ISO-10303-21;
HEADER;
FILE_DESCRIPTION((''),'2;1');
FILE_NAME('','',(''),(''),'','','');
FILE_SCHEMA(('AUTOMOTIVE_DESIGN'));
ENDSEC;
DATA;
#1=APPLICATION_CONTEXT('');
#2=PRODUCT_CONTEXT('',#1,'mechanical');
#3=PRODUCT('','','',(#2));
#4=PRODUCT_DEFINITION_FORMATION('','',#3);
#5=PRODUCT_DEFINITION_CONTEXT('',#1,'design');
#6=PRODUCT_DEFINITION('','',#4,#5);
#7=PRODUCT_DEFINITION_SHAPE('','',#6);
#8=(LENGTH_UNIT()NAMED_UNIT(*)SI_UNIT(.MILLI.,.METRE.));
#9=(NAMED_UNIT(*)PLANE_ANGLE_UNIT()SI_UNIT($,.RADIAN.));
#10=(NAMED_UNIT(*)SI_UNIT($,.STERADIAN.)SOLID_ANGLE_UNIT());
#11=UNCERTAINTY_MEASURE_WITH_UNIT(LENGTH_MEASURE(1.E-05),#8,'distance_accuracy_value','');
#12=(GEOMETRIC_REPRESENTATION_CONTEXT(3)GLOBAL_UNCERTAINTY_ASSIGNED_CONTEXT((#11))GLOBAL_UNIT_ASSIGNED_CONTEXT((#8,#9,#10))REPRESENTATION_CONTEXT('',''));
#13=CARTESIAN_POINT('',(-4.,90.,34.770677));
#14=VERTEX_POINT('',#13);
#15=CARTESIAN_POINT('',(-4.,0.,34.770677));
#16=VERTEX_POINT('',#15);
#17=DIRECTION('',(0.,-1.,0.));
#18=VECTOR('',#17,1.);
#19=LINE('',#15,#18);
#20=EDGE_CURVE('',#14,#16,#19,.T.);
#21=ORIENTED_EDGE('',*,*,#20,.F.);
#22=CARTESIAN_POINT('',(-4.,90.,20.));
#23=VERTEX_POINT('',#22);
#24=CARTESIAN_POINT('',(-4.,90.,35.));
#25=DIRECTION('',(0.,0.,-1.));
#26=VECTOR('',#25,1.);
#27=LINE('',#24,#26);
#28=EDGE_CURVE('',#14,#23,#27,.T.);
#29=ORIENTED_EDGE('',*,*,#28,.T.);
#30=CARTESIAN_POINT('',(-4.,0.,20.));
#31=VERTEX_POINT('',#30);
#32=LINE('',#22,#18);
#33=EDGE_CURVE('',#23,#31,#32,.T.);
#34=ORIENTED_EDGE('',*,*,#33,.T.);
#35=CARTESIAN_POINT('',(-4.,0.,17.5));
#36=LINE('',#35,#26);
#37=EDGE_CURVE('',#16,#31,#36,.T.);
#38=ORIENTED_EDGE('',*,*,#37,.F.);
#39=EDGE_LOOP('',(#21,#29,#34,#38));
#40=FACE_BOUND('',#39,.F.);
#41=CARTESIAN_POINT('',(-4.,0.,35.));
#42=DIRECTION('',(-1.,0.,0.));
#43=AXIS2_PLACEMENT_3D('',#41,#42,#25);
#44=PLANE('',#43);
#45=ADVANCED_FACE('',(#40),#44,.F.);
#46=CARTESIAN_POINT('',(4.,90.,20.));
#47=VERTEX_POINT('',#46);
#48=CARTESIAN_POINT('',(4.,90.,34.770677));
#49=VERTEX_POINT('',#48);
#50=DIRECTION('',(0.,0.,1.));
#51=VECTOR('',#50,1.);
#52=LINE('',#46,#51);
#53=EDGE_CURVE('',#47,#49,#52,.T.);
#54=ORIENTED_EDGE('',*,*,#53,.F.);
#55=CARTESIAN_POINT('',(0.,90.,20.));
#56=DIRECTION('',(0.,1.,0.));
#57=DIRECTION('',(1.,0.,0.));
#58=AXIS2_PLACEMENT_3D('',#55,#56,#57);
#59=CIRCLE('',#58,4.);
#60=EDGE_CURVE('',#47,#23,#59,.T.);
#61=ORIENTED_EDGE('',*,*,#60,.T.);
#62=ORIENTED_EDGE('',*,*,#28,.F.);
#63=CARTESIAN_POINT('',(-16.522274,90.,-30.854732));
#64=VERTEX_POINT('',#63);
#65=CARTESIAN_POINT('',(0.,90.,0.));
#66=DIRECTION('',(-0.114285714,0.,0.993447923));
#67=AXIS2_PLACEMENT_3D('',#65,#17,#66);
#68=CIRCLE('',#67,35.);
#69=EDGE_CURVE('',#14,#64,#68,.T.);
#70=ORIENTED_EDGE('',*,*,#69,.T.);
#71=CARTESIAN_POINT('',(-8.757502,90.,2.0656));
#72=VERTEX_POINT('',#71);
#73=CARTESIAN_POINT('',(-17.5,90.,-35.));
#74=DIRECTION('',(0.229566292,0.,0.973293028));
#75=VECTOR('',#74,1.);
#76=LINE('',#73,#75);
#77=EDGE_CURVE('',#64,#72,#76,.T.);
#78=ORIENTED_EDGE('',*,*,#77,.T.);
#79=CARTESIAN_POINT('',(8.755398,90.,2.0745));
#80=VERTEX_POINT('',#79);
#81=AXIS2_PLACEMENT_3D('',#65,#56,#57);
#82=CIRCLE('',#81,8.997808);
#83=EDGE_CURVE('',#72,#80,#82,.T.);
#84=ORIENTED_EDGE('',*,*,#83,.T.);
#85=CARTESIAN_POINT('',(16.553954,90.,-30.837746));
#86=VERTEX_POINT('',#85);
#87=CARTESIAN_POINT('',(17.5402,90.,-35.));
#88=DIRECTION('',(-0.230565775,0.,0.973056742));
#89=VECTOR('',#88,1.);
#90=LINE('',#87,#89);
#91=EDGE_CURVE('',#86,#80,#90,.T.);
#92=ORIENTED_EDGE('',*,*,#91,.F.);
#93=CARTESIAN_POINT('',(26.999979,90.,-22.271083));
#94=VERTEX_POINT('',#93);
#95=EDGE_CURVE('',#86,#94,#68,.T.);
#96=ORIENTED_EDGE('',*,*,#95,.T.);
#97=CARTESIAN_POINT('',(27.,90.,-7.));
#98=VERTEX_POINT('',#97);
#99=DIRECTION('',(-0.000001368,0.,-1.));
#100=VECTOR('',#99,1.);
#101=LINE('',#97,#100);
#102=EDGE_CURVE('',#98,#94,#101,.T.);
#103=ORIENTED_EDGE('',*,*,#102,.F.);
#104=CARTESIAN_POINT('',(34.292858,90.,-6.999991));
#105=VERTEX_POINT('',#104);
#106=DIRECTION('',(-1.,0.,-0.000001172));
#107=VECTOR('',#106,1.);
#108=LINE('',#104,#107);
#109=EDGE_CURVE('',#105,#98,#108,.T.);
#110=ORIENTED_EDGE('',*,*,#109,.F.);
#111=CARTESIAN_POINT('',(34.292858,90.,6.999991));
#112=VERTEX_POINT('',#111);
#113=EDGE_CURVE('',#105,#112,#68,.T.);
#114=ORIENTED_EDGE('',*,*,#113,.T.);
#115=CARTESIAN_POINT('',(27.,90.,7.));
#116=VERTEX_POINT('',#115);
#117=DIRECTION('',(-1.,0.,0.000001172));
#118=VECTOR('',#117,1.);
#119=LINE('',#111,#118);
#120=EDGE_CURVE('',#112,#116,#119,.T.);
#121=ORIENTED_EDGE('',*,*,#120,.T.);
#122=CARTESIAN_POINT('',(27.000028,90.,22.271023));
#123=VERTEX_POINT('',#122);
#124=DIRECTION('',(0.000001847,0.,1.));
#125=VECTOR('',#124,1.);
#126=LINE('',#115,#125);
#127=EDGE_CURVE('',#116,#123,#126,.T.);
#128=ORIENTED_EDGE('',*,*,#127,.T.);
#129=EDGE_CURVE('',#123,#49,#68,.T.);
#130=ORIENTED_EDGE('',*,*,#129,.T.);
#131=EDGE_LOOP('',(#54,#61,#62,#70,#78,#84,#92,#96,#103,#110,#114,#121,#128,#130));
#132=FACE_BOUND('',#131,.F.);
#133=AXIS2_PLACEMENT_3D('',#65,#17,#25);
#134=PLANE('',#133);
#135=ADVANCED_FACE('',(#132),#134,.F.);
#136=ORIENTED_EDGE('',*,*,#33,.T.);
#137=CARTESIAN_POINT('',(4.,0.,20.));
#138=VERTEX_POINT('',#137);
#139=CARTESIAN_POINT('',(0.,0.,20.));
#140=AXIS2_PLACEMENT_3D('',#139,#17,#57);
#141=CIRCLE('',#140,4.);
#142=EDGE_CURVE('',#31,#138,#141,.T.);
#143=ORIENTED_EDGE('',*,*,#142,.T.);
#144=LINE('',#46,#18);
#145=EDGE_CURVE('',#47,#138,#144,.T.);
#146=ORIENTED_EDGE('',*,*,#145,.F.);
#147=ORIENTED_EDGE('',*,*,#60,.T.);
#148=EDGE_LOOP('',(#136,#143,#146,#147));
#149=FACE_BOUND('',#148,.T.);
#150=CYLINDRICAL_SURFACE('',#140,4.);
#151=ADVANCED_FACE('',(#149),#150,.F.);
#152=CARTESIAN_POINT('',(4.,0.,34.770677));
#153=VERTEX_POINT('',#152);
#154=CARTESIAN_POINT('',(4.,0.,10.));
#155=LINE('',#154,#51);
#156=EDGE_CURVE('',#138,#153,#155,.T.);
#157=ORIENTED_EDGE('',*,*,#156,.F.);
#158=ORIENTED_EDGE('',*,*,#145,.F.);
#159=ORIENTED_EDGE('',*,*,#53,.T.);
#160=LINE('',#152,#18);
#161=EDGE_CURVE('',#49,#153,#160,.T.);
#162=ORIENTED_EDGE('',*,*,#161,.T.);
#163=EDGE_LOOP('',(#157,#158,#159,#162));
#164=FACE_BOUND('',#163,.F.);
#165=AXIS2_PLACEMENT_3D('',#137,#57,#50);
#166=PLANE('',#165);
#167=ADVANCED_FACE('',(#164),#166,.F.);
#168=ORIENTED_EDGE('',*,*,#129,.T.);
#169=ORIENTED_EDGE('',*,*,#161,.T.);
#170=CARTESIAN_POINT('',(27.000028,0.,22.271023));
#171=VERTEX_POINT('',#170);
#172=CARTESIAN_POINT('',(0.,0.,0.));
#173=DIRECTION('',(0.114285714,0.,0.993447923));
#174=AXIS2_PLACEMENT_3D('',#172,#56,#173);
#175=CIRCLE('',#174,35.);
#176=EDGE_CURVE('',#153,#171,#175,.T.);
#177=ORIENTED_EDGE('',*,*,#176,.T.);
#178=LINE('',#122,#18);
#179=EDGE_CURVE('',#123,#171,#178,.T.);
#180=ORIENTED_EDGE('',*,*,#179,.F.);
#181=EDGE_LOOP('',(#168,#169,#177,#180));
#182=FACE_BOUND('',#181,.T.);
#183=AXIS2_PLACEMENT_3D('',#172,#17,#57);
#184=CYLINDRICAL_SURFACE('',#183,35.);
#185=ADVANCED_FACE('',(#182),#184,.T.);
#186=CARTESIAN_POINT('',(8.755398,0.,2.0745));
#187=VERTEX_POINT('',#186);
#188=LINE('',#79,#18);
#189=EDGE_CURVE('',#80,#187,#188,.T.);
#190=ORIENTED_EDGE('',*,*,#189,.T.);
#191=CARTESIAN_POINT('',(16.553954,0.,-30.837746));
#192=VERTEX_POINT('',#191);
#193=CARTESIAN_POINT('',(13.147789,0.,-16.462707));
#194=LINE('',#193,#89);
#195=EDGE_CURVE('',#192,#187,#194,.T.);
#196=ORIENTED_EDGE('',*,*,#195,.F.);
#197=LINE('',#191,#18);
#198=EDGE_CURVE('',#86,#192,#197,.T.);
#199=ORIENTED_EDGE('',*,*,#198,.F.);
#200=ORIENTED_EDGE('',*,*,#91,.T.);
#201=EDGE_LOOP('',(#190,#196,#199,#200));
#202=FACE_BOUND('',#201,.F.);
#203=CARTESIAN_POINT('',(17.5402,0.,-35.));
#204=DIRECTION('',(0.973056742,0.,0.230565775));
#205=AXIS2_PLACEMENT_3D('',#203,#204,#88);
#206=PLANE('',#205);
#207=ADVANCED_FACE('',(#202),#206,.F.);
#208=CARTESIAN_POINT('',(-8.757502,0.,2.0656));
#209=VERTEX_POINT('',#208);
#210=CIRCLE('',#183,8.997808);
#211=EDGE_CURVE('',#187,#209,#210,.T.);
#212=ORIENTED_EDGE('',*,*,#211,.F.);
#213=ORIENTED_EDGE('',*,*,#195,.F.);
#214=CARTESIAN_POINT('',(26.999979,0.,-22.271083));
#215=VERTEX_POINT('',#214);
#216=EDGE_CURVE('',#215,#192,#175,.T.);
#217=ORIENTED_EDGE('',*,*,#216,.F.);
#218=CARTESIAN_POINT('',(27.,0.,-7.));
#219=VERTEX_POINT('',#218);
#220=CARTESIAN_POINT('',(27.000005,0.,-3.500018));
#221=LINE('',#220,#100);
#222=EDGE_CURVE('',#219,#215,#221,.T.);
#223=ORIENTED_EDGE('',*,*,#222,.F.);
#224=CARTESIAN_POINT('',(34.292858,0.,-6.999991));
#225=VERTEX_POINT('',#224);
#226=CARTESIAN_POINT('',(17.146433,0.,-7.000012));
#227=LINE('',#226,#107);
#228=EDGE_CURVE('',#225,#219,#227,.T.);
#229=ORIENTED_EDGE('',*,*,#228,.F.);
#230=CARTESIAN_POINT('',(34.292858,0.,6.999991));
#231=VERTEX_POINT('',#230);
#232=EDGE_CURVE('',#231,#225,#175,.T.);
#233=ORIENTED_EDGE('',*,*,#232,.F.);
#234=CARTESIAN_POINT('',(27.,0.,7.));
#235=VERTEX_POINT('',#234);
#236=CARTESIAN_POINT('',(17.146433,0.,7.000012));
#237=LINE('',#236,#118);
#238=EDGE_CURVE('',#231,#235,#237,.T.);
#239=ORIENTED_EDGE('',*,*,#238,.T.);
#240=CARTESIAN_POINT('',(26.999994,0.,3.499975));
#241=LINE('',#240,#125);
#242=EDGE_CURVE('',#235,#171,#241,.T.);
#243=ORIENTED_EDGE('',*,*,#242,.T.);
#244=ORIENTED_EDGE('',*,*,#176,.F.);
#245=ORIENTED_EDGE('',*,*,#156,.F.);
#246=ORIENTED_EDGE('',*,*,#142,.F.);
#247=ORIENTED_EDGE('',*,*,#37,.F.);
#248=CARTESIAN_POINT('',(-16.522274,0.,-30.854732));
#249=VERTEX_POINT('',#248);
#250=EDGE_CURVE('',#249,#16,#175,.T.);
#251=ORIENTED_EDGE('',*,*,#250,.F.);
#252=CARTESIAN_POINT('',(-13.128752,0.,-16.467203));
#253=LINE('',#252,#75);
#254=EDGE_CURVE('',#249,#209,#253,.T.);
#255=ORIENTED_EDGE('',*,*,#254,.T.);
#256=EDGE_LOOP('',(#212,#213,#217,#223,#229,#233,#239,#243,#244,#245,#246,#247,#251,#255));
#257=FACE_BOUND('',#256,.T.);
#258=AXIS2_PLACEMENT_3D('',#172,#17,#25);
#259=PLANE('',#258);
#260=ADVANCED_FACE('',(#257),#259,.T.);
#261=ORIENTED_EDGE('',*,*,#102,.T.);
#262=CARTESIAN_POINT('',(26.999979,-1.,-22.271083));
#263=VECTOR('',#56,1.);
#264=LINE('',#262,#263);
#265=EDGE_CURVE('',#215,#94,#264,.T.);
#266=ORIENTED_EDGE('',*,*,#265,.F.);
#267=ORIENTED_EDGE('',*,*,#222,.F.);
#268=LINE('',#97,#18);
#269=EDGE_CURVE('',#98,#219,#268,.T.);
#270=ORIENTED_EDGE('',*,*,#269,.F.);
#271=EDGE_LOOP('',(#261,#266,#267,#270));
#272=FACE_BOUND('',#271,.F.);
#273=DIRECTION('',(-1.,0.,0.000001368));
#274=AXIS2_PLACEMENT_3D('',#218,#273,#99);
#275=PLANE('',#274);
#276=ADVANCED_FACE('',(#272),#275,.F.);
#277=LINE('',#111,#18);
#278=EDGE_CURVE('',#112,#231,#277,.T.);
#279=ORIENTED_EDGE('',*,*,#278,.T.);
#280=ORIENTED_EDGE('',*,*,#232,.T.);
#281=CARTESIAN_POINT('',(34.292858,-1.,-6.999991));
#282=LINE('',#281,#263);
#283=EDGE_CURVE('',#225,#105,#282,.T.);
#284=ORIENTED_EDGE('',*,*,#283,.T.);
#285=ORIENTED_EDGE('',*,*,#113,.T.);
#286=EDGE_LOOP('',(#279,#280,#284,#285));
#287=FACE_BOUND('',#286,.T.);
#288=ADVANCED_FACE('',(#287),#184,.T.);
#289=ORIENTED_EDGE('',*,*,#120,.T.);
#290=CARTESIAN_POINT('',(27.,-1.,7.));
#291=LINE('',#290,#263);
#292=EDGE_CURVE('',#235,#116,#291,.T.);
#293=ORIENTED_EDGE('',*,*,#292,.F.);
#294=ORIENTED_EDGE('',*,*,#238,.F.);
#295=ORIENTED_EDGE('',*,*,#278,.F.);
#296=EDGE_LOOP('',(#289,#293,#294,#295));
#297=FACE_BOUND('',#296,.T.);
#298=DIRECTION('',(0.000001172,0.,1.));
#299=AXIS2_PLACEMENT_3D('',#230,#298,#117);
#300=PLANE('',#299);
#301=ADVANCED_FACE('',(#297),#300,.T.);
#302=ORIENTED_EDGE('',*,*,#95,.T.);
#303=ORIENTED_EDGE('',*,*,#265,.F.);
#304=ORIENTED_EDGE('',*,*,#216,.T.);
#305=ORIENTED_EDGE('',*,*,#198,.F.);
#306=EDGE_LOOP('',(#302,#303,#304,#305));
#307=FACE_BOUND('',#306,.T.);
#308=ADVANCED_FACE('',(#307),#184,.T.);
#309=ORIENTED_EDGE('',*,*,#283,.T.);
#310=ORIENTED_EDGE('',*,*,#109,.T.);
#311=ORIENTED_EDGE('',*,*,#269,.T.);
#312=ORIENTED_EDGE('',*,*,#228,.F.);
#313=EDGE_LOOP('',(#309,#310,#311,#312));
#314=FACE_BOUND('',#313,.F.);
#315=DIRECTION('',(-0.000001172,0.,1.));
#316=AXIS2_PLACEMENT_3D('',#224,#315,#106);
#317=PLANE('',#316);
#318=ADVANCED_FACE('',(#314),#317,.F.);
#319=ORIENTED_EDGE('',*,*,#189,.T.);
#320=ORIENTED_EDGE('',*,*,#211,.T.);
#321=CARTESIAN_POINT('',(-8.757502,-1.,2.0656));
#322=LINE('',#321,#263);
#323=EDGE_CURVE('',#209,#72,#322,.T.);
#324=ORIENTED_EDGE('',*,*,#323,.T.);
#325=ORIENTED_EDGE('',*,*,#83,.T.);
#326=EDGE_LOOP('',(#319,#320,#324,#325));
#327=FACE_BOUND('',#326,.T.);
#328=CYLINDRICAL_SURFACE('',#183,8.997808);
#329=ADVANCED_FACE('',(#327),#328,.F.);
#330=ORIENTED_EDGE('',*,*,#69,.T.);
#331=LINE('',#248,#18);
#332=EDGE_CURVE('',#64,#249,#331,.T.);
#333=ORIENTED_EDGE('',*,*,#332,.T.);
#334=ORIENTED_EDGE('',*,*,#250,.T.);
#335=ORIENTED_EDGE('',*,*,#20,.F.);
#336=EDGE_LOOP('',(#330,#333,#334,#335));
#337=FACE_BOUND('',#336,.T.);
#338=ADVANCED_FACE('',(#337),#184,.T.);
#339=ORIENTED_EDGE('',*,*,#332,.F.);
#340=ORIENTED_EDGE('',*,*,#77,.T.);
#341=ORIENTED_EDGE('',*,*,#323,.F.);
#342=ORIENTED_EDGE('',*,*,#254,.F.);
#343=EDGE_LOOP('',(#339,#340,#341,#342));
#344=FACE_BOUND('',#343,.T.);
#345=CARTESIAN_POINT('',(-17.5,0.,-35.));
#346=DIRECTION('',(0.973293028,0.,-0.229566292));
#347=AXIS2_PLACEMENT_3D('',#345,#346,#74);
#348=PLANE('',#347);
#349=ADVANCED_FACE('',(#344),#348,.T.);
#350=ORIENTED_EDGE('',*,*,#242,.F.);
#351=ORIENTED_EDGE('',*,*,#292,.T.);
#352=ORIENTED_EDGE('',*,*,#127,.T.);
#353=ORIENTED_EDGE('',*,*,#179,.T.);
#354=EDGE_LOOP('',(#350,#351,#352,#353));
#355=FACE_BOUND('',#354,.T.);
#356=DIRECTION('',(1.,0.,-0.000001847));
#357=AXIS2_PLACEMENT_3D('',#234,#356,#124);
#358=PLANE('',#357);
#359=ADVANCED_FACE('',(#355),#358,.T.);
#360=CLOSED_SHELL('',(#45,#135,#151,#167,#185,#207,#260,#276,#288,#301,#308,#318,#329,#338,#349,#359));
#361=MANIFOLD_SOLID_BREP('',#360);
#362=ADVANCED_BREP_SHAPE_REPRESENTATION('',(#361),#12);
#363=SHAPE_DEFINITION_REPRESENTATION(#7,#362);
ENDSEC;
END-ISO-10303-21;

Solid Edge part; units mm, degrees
sketch "Sketch1" plane through (0, 0, 0) normal (0, -1, 0) x (1, 0, 0)
  circle A0 centre (0, 0) radius 35
extrude "Protrusion1" add sketch "Sketch1" against normal blind 90
sketch "Sketch2" plane through (0, 0, 0) normal (0, -1, 0) x (1, 0, 0)
  line L0 (-4, 35) -> (-4, 20)
  line L1 (-4, 35) -> (4, 35)
  line L2 (4, 20) -> (4, 35)
  arc A0 (4, 20) -> (-4, 20) centre (0, 20) cw
extrude "ExtrudedCutout_1" cut sketch "Sketch2" against normal blind 90 and the other way blind 1
sketch "Sketch3" plane through (0, 0, -0.1147) normal (0, -1, 0) x (0, 0, -1)
  line L0 (6.8853, 34.2929) -> (6.8853, 27)
  line L1 (6.8853, 27) -> (22.1564, 27)
  arc A0 (22.1564, 27) -> (6.8853, 34.2929) centre (-0.1147, 0) ccw
  line L2 (-7.1147, 34.2929) -> (-7.1147, 27)
  line L3 (-7.1147, 27) -> (-22.3857, 27)
  arc A1 (-22.3857, 27) -> (-7.1147, 34.2929) centre (-0.1147, 0) cw
extrude "ExtrudedCutout_2" cut sketch "Sketch3" against normal blind 90 and the other way blind 1
sketch "Sketch4" plane through (0, 0, -0.1147) normal (0, -1, 0) x (1, 0, 0)
  line L0 (17.5402, -34.8853) -> (-17.5, -34.8853)
  line L1 (-17.5, -34.8853) -> (-8.7575, 2.1803)
  line L2 (17.5402, -34.8853) -> (8.7554, 2.1892)
  arc A0 (-8.7575, 2.1803) -> (8.7554, 2.1892) centre (0, 0.1147) cw
extrude "ExtrudedCutout_3" cut sketch "Sketch4" against normal blind 90 and the other way blind 1
